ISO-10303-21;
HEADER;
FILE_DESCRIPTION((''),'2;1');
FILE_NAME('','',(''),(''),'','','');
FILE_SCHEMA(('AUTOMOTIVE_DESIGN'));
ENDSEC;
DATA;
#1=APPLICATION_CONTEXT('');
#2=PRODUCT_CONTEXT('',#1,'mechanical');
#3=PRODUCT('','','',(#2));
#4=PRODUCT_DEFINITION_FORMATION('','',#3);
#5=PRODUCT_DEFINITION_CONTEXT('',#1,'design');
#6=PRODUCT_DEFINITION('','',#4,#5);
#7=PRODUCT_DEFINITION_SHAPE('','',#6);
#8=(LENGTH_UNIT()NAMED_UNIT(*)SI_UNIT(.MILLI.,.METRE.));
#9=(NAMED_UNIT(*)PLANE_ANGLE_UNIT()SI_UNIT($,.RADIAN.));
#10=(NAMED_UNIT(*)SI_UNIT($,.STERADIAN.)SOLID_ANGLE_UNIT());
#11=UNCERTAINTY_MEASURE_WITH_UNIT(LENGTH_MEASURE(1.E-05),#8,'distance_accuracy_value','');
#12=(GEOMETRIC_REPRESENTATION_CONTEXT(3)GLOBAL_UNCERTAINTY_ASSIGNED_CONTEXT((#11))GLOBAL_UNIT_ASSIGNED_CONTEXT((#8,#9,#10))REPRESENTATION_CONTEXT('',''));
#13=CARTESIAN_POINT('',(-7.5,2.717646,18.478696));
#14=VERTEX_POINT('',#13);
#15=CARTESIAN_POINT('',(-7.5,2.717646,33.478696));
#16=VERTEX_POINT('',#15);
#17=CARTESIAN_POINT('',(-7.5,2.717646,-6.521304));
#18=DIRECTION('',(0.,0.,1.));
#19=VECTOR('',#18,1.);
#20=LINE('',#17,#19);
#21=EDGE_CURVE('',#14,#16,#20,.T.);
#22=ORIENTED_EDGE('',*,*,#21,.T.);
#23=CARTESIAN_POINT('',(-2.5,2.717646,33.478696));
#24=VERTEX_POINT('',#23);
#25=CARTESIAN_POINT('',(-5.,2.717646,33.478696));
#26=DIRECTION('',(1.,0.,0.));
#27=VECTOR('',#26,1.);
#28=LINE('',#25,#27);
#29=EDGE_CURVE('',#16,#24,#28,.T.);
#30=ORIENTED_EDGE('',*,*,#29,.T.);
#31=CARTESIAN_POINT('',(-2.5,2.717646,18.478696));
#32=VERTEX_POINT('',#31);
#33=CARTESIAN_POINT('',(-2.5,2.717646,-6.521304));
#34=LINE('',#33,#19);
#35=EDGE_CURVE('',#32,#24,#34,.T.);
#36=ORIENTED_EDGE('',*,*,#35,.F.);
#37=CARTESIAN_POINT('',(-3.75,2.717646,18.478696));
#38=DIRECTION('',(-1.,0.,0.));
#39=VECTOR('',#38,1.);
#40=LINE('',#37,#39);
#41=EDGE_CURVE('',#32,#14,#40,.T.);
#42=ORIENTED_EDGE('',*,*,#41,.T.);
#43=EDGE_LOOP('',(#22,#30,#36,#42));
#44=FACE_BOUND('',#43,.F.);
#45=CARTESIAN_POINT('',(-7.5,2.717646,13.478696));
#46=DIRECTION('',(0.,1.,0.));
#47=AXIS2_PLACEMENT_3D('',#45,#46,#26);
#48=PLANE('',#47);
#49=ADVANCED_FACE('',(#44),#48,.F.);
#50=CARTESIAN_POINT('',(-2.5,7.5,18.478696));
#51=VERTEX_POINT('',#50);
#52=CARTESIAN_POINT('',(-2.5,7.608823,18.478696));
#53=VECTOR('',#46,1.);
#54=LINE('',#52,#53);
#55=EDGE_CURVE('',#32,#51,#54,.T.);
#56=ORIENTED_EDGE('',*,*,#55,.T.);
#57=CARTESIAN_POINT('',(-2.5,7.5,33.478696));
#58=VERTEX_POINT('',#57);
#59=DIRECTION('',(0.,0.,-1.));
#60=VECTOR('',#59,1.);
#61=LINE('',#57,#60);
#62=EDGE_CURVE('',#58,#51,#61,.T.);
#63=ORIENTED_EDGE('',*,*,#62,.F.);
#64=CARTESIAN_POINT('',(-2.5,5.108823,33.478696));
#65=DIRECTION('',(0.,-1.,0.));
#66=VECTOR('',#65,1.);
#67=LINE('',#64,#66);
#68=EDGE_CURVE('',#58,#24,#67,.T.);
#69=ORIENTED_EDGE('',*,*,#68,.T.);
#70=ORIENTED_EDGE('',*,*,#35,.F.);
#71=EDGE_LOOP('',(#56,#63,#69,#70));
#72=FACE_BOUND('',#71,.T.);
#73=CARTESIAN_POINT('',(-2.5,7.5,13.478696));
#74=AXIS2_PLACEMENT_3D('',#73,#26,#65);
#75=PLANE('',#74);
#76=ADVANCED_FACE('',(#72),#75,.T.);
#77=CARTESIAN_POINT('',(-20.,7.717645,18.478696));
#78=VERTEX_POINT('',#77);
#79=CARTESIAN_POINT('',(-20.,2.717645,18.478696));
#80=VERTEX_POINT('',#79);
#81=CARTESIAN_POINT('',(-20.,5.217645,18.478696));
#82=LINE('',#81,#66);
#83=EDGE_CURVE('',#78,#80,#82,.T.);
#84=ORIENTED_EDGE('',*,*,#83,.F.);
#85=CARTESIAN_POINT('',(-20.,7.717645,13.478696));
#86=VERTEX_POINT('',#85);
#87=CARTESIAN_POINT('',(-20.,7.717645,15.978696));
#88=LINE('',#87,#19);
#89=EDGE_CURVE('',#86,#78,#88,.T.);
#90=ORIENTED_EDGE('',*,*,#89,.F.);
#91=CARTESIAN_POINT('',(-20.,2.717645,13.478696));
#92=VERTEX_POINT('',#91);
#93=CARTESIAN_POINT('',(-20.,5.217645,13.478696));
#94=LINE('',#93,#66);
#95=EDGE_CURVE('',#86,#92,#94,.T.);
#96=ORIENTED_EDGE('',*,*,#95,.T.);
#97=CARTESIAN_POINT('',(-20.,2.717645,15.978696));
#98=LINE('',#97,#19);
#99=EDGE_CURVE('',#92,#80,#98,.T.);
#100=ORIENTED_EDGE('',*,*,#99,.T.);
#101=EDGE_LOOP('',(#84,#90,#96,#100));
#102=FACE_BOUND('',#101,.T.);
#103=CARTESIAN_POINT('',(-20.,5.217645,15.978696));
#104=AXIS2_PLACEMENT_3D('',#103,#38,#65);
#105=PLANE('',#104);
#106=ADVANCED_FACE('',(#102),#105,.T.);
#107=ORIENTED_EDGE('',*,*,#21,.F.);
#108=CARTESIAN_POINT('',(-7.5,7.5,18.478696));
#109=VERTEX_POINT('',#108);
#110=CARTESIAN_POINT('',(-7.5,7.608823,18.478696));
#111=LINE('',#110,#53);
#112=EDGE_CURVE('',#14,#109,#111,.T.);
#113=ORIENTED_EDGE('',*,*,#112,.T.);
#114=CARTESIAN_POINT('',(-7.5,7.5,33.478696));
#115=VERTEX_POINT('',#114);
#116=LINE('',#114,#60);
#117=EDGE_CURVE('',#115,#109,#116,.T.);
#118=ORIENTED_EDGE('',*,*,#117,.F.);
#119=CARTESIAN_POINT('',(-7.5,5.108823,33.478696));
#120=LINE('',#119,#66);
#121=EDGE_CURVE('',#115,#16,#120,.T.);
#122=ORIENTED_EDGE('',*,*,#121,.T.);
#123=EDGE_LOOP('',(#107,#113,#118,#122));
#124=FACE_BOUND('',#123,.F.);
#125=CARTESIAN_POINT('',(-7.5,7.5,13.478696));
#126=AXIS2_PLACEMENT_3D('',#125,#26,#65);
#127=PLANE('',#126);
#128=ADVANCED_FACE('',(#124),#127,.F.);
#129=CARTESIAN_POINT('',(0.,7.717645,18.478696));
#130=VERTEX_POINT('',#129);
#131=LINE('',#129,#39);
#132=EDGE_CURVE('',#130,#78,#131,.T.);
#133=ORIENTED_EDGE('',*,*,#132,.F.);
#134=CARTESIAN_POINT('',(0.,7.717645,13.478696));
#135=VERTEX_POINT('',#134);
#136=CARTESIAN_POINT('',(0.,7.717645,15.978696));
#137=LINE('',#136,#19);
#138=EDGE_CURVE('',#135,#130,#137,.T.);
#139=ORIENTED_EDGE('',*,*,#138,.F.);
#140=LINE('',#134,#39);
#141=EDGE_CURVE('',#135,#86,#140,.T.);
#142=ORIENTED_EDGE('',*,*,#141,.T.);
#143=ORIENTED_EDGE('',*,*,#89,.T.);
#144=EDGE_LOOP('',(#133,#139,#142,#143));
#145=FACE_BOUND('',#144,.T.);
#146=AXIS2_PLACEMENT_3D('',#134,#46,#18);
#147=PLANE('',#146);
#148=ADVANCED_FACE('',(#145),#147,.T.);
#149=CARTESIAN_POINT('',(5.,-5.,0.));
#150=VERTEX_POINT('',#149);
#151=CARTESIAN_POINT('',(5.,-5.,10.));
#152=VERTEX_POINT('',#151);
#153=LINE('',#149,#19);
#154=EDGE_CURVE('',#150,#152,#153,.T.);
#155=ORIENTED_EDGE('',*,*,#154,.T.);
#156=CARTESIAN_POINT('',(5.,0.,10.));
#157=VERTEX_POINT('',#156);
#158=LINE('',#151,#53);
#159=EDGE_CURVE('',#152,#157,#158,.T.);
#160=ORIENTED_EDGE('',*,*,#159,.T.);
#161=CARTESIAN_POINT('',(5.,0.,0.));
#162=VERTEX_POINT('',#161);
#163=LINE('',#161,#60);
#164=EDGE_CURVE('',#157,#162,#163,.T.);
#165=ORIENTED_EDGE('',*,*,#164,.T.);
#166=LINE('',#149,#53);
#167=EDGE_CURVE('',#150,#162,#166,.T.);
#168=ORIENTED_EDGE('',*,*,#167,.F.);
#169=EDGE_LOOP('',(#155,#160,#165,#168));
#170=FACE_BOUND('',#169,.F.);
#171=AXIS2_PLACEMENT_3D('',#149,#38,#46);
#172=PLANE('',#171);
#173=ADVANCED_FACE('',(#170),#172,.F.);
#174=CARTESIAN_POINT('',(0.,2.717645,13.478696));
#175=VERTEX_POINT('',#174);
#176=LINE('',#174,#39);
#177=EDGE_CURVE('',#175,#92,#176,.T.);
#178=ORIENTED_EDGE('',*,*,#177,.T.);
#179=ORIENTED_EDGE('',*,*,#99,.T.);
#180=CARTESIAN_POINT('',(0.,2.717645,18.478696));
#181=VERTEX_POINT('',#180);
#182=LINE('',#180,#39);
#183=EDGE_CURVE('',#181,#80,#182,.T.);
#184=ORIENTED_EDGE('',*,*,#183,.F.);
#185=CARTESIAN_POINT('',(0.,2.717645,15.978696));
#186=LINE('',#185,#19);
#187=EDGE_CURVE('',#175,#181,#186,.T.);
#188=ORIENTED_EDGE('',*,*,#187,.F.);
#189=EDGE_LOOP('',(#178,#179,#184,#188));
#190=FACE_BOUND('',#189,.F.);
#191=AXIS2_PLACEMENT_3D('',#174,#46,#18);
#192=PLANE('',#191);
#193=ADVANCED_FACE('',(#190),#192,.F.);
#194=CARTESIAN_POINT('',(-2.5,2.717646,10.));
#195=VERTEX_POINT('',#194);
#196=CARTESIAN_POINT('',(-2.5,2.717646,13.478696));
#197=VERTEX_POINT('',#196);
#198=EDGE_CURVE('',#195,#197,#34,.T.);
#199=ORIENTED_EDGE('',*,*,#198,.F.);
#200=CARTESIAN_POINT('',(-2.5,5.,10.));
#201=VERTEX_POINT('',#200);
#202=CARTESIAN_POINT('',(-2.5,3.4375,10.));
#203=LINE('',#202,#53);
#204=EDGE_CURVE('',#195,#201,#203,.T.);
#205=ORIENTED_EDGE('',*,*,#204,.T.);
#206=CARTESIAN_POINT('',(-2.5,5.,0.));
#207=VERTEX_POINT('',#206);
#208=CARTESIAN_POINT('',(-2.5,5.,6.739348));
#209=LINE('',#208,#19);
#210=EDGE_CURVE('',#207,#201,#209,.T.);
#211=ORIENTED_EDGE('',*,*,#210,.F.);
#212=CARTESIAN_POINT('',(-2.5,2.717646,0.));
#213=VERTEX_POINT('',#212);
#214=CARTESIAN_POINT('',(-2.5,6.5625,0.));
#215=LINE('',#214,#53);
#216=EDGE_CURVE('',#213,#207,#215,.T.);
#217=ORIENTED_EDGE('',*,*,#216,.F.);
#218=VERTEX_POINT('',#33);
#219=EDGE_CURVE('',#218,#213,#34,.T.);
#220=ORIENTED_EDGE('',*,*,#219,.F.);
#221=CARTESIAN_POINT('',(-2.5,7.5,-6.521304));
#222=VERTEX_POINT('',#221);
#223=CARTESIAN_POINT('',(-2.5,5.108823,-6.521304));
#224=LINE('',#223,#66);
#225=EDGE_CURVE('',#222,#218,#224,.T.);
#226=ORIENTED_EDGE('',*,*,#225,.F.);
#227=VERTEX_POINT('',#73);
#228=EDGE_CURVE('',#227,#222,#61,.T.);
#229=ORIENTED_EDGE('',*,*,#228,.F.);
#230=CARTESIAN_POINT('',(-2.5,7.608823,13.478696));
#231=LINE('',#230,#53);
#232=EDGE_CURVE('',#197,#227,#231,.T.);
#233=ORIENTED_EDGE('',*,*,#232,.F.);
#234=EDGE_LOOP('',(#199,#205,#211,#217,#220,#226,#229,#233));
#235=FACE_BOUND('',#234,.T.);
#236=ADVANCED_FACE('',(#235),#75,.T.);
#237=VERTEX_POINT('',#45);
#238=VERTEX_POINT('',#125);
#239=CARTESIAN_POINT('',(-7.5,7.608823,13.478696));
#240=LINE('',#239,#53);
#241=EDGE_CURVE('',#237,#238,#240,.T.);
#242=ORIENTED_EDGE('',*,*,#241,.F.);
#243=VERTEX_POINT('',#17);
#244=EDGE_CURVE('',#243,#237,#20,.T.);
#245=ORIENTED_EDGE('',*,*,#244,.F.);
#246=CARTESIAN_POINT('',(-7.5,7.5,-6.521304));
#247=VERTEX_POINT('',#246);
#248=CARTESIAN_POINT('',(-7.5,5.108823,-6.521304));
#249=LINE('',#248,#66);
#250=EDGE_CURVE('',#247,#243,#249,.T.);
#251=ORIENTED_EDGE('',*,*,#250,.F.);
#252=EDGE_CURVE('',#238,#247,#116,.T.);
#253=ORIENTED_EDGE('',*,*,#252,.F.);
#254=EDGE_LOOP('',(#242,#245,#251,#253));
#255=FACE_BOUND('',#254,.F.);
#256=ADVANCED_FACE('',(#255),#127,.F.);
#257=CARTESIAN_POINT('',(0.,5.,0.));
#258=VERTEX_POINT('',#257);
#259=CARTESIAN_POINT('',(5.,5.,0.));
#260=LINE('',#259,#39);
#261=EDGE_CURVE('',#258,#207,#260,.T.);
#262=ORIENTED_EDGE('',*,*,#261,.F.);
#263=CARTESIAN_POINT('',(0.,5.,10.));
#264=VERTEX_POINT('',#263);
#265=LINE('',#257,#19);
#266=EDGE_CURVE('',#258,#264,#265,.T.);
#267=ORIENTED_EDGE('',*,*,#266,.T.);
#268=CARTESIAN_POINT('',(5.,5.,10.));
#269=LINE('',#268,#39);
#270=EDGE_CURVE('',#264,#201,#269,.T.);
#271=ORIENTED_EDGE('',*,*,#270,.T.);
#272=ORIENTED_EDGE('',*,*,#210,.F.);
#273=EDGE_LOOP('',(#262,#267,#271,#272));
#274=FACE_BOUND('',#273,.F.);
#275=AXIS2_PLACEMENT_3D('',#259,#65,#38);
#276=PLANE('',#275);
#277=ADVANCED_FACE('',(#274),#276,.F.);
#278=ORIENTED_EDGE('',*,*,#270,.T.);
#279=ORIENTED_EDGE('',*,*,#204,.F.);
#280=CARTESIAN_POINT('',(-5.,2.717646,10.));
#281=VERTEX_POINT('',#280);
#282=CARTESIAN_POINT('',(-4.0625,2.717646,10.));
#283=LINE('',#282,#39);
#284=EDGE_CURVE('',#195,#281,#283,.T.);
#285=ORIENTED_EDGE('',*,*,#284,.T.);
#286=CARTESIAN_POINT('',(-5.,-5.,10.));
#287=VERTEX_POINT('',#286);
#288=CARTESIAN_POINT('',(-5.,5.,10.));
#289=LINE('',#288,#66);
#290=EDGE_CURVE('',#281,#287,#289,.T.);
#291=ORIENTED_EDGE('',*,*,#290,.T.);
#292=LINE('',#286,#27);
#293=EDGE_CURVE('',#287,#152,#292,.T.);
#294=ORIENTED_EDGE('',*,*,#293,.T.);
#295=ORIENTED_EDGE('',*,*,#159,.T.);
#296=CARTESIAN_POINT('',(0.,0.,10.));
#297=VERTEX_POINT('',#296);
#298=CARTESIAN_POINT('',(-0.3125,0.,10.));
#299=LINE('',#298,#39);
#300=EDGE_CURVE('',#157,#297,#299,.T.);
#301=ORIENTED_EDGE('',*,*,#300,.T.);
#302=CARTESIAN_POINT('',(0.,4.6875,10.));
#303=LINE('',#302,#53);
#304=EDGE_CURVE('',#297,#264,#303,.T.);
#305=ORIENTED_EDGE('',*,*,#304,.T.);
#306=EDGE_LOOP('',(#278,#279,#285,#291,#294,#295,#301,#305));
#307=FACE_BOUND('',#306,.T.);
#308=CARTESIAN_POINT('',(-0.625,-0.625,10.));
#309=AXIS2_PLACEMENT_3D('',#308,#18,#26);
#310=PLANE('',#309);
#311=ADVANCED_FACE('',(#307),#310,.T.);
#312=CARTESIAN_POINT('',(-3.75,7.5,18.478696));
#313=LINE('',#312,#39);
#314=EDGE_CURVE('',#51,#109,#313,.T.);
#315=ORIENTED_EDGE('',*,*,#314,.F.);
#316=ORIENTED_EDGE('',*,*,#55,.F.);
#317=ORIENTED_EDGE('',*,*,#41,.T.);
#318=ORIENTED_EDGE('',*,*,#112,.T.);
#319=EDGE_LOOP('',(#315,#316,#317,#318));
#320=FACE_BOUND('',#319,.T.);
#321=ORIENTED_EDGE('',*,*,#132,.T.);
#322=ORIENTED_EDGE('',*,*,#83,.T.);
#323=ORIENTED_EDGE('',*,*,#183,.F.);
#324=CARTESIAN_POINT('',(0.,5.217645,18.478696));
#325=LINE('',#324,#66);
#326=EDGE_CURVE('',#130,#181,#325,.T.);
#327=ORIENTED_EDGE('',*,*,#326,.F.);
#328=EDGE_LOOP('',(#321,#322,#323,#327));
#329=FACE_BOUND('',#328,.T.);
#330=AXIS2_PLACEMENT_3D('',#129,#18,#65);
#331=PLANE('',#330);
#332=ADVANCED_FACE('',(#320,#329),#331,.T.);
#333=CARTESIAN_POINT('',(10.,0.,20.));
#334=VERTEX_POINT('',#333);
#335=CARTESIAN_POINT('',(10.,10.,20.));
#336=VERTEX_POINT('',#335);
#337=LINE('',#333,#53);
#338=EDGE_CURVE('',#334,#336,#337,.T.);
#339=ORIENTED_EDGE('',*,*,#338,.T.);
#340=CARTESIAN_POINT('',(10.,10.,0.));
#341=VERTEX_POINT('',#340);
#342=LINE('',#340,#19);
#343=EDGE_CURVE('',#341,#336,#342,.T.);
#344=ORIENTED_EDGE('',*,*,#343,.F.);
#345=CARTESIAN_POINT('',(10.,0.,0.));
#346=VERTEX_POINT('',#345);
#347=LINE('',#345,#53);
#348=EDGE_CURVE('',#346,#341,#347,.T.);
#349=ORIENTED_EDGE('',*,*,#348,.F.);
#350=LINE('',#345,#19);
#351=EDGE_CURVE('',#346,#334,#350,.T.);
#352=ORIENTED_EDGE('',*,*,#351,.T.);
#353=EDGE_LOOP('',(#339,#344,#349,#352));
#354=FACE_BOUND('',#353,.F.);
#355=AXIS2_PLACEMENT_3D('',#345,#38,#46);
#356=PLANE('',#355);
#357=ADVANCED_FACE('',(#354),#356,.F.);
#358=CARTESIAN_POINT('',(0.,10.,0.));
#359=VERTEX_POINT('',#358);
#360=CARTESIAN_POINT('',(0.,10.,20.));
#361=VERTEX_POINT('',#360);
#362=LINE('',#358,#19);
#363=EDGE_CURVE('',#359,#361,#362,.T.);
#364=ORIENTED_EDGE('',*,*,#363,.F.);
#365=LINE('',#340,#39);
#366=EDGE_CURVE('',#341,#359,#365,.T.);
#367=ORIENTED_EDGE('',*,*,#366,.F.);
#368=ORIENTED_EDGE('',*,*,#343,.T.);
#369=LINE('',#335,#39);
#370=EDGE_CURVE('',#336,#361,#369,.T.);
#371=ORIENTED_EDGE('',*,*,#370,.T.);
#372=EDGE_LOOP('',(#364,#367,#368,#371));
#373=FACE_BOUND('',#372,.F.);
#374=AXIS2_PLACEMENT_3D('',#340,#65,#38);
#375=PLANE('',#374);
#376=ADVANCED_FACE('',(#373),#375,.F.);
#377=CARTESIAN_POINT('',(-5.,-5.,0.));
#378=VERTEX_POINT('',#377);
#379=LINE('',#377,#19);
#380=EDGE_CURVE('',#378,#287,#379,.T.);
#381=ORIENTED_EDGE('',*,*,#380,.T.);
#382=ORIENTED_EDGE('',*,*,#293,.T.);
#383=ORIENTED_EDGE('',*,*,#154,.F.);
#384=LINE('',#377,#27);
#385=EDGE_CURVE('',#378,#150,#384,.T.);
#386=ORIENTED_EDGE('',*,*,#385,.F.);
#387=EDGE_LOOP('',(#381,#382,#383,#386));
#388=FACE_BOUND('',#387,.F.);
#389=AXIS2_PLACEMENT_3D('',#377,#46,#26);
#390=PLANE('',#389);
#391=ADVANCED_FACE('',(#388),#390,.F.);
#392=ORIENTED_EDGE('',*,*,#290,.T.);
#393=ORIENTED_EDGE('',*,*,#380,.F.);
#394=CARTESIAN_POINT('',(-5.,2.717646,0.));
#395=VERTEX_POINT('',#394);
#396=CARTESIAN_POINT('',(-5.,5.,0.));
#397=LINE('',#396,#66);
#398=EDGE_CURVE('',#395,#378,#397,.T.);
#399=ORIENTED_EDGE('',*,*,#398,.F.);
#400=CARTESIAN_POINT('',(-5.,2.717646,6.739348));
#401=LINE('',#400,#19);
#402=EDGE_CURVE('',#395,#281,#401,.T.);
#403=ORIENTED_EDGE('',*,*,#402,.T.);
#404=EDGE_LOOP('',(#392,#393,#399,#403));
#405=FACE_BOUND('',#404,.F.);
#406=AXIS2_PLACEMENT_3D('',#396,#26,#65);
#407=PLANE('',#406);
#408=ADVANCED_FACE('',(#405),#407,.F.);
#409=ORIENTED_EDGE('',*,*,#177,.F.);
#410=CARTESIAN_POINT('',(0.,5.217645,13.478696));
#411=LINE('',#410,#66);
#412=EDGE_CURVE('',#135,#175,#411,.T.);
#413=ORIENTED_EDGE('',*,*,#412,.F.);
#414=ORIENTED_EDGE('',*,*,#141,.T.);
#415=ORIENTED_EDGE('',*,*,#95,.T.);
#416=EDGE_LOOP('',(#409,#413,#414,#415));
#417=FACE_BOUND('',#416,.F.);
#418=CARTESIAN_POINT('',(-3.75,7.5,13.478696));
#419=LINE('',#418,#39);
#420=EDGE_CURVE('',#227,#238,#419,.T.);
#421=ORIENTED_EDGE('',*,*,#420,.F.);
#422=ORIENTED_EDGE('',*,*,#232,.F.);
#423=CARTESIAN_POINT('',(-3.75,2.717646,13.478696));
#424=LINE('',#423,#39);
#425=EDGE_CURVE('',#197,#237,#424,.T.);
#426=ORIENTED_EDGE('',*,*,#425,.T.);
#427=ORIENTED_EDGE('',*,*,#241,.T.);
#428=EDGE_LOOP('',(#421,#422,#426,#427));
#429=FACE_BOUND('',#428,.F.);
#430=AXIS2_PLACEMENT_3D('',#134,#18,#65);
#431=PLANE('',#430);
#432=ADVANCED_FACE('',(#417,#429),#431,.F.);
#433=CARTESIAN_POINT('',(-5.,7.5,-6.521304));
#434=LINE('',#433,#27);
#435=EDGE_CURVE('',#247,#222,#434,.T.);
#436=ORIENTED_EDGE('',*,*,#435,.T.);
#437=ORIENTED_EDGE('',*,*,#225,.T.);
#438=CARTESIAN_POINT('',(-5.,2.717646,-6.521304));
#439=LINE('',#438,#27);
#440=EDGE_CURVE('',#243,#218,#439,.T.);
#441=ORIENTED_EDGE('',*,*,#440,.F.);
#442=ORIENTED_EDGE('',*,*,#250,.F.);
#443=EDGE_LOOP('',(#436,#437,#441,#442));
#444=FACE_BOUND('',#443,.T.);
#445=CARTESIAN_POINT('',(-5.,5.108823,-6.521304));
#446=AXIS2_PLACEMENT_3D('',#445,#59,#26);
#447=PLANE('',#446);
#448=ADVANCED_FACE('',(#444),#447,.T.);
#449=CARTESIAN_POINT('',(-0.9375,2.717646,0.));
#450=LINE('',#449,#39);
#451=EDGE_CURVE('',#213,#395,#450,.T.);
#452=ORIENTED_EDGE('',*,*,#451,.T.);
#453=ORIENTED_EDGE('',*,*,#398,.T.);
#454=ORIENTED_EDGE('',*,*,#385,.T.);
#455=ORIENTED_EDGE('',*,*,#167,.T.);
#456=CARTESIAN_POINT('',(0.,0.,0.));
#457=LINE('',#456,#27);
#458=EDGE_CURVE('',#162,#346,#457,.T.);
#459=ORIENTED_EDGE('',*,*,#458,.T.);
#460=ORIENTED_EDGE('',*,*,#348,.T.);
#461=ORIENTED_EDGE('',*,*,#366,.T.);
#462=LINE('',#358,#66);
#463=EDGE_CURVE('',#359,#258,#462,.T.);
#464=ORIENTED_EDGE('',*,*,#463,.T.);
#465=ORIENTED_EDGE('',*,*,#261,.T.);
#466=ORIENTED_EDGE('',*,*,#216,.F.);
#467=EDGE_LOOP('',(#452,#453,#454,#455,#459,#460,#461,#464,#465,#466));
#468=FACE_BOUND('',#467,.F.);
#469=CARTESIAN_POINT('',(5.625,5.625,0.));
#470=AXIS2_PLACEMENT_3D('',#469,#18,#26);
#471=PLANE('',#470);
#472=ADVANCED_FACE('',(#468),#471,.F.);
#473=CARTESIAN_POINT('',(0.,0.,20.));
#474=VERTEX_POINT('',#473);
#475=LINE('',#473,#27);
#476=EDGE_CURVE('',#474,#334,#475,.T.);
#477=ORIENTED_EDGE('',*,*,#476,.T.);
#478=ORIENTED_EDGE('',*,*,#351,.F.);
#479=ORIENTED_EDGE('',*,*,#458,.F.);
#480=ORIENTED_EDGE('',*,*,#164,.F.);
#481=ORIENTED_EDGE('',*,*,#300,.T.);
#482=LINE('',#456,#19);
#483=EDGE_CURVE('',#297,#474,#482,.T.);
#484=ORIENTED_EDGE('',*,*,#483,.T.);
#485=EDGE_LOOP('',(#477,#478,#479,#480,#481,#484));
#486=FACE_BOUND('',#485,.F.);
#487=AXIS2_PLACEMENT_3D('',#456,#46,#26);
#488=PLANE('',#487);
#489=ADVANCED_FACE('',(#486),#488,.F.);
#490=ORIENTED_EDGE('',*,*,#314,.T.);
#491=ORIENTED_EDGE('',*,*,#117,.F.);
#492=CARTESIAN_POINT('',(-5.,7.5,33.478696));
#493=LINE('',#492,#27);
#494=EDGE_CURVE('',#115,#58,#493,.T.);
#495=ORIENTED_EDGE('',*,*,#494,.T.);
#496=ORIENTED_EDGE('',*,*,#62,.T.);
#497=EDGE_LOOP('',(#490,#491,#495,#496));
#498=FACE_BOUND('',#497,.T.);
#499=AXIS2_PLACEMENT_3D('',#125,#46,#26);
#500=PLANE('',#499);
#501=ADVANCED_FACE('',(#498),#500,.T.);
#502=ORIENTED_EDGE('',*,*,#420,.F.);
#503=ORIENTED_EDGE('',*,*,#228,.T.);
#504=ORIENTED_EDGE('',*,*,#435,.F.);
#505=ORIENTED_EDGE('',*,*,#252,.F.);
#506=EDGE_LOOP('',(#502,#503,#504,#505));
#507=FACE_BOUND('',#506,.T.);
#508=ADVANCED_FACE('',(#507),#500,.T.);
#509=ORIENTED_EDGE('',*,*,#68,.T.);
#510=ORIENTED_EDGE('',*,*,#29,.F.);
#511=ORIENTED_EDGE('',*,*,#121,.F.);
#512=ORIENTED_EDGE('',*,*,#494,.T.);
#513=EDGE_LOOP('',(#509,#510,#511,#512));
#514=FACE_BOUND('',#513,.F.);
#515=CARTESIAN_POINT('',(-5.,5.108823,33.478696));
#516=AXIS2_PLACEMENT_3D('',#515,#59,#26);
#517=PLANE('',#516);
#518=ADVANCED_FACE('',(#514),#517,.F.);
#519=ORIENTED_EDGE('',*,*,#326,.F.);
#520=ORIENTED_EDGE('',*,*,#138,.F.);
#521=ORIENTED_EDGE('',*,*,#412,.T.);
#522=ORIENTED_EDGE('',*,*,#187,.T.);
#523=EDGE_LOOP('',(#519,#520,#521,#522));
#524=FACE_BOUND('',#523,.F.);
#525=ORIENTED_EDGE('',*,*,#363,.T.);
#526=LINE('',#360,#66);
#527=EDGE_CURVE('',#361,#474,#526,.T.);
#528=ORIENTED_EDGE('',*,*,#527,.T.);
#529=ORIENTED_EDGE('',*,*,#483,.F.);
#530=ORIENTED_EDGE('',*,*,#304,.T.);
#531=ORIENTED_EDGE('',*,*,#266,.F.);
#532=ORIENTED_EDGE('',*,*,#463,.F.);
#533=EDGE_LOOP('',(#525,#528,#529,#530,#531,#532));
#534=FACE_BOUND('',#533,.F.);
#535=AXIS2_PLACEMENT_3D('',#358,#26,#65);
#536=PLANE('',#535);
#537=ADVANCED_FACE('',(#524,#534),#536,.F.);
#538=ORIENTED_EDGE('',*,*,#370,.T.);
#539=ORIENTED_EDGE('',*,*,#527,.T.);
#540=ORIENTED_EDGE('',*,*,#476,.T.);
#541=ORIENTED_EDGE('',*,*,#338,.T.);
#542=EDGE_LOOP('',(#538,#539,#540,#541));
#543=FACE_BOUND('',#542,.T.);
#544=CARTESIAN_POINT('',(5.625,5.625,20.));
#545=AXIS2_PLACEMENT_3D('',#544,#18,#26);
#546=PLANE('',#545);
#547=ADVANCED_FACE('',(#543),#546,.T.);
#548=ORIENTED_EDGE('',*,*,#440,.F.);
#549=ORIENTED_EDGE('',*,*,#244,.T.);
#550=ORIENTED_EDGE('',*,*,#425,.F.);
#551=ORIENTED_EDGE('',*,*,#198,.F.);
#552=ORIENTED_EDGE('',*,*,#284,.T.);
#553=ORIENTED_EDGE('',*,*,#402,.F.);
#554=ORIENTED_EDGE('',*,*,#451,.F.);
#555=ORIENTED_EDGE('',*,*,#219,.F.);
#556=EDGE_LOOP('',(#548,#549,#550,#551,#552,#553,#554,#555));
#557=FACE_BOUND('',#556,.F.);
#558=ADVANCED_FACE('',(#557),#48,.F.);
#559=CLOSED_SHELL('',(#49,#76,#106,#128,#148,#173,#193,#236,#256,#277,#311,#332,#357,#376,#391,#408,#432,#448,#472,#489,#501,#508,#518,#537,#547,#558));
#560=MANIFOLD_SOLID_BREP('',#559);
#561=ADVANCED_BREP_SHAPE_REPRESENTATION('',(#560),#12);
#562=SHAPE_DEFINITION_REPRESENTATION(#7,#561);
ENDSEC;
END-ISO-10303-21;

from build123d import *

# Parameters (mm, degrees)
F0_W     = 5
F0_H     = 5
F1_DEPTH = 10
F2_DEPTH = 20
F3_W     = 5
F3_H     = 5
F4_DEPTH = 20
F5_W     = 5
F5_H     = 4.782355
F6_DEPTH = 20


with BuildPart() as f1:
    # F0 (on Top) → F1 (new body)
    with BuildSketch(Plane.XY):
        Polygon((-5, -5), (5, -5), (5, 0), (0, 0), (0, 5), (-5, 5), align=None)
        with Locations((2.5, 2.5)):
            Rectangle(F0_W, F0_H)
    extrude(amount=F1_DEPTH)

    # F0 (on Top) → F2 (join)
    with BuildSketch(Plane.XY):
        Polygon((5, 5), (5, 0), (10, 0), (10, 10), (0, 10), (0, 5), align=None)
        with Locations((2.5, 2.5)):
            Rectangle(F0_W, F0_H)
    extrude(amount=F2_DEPTH)



with BuildPart() as f4:
    # F3 (on face) → F4 (new body)
    with BuildSketch(Plane(origin=(0, 0, 0), x_dir=(0, -1, 0), z_dir=(-1, 0, 0))):
        with Locations((-5.217645, 15.978696)):
            Rectangle(F3_W, F3_H)
    extrude(amount=F4_DEPTH)


with BuildPart() as f1_1:
    add(f1.part)

    add(f4.part)  # F6 merges F4
    # F5 (on face) → F6 (join, symmetric)
    with BuildSketch(Plane(origin=(0, 0, 13.478696), x_dir=(1, 0, 0), z_dir=(0, 0, -1))):
        with Locations((-5, -5.108823)):
            Rectangle(F5_W, F5_H)
    extrude(amount=F6_DEPTH, both=True)


solid = f1_1.part
